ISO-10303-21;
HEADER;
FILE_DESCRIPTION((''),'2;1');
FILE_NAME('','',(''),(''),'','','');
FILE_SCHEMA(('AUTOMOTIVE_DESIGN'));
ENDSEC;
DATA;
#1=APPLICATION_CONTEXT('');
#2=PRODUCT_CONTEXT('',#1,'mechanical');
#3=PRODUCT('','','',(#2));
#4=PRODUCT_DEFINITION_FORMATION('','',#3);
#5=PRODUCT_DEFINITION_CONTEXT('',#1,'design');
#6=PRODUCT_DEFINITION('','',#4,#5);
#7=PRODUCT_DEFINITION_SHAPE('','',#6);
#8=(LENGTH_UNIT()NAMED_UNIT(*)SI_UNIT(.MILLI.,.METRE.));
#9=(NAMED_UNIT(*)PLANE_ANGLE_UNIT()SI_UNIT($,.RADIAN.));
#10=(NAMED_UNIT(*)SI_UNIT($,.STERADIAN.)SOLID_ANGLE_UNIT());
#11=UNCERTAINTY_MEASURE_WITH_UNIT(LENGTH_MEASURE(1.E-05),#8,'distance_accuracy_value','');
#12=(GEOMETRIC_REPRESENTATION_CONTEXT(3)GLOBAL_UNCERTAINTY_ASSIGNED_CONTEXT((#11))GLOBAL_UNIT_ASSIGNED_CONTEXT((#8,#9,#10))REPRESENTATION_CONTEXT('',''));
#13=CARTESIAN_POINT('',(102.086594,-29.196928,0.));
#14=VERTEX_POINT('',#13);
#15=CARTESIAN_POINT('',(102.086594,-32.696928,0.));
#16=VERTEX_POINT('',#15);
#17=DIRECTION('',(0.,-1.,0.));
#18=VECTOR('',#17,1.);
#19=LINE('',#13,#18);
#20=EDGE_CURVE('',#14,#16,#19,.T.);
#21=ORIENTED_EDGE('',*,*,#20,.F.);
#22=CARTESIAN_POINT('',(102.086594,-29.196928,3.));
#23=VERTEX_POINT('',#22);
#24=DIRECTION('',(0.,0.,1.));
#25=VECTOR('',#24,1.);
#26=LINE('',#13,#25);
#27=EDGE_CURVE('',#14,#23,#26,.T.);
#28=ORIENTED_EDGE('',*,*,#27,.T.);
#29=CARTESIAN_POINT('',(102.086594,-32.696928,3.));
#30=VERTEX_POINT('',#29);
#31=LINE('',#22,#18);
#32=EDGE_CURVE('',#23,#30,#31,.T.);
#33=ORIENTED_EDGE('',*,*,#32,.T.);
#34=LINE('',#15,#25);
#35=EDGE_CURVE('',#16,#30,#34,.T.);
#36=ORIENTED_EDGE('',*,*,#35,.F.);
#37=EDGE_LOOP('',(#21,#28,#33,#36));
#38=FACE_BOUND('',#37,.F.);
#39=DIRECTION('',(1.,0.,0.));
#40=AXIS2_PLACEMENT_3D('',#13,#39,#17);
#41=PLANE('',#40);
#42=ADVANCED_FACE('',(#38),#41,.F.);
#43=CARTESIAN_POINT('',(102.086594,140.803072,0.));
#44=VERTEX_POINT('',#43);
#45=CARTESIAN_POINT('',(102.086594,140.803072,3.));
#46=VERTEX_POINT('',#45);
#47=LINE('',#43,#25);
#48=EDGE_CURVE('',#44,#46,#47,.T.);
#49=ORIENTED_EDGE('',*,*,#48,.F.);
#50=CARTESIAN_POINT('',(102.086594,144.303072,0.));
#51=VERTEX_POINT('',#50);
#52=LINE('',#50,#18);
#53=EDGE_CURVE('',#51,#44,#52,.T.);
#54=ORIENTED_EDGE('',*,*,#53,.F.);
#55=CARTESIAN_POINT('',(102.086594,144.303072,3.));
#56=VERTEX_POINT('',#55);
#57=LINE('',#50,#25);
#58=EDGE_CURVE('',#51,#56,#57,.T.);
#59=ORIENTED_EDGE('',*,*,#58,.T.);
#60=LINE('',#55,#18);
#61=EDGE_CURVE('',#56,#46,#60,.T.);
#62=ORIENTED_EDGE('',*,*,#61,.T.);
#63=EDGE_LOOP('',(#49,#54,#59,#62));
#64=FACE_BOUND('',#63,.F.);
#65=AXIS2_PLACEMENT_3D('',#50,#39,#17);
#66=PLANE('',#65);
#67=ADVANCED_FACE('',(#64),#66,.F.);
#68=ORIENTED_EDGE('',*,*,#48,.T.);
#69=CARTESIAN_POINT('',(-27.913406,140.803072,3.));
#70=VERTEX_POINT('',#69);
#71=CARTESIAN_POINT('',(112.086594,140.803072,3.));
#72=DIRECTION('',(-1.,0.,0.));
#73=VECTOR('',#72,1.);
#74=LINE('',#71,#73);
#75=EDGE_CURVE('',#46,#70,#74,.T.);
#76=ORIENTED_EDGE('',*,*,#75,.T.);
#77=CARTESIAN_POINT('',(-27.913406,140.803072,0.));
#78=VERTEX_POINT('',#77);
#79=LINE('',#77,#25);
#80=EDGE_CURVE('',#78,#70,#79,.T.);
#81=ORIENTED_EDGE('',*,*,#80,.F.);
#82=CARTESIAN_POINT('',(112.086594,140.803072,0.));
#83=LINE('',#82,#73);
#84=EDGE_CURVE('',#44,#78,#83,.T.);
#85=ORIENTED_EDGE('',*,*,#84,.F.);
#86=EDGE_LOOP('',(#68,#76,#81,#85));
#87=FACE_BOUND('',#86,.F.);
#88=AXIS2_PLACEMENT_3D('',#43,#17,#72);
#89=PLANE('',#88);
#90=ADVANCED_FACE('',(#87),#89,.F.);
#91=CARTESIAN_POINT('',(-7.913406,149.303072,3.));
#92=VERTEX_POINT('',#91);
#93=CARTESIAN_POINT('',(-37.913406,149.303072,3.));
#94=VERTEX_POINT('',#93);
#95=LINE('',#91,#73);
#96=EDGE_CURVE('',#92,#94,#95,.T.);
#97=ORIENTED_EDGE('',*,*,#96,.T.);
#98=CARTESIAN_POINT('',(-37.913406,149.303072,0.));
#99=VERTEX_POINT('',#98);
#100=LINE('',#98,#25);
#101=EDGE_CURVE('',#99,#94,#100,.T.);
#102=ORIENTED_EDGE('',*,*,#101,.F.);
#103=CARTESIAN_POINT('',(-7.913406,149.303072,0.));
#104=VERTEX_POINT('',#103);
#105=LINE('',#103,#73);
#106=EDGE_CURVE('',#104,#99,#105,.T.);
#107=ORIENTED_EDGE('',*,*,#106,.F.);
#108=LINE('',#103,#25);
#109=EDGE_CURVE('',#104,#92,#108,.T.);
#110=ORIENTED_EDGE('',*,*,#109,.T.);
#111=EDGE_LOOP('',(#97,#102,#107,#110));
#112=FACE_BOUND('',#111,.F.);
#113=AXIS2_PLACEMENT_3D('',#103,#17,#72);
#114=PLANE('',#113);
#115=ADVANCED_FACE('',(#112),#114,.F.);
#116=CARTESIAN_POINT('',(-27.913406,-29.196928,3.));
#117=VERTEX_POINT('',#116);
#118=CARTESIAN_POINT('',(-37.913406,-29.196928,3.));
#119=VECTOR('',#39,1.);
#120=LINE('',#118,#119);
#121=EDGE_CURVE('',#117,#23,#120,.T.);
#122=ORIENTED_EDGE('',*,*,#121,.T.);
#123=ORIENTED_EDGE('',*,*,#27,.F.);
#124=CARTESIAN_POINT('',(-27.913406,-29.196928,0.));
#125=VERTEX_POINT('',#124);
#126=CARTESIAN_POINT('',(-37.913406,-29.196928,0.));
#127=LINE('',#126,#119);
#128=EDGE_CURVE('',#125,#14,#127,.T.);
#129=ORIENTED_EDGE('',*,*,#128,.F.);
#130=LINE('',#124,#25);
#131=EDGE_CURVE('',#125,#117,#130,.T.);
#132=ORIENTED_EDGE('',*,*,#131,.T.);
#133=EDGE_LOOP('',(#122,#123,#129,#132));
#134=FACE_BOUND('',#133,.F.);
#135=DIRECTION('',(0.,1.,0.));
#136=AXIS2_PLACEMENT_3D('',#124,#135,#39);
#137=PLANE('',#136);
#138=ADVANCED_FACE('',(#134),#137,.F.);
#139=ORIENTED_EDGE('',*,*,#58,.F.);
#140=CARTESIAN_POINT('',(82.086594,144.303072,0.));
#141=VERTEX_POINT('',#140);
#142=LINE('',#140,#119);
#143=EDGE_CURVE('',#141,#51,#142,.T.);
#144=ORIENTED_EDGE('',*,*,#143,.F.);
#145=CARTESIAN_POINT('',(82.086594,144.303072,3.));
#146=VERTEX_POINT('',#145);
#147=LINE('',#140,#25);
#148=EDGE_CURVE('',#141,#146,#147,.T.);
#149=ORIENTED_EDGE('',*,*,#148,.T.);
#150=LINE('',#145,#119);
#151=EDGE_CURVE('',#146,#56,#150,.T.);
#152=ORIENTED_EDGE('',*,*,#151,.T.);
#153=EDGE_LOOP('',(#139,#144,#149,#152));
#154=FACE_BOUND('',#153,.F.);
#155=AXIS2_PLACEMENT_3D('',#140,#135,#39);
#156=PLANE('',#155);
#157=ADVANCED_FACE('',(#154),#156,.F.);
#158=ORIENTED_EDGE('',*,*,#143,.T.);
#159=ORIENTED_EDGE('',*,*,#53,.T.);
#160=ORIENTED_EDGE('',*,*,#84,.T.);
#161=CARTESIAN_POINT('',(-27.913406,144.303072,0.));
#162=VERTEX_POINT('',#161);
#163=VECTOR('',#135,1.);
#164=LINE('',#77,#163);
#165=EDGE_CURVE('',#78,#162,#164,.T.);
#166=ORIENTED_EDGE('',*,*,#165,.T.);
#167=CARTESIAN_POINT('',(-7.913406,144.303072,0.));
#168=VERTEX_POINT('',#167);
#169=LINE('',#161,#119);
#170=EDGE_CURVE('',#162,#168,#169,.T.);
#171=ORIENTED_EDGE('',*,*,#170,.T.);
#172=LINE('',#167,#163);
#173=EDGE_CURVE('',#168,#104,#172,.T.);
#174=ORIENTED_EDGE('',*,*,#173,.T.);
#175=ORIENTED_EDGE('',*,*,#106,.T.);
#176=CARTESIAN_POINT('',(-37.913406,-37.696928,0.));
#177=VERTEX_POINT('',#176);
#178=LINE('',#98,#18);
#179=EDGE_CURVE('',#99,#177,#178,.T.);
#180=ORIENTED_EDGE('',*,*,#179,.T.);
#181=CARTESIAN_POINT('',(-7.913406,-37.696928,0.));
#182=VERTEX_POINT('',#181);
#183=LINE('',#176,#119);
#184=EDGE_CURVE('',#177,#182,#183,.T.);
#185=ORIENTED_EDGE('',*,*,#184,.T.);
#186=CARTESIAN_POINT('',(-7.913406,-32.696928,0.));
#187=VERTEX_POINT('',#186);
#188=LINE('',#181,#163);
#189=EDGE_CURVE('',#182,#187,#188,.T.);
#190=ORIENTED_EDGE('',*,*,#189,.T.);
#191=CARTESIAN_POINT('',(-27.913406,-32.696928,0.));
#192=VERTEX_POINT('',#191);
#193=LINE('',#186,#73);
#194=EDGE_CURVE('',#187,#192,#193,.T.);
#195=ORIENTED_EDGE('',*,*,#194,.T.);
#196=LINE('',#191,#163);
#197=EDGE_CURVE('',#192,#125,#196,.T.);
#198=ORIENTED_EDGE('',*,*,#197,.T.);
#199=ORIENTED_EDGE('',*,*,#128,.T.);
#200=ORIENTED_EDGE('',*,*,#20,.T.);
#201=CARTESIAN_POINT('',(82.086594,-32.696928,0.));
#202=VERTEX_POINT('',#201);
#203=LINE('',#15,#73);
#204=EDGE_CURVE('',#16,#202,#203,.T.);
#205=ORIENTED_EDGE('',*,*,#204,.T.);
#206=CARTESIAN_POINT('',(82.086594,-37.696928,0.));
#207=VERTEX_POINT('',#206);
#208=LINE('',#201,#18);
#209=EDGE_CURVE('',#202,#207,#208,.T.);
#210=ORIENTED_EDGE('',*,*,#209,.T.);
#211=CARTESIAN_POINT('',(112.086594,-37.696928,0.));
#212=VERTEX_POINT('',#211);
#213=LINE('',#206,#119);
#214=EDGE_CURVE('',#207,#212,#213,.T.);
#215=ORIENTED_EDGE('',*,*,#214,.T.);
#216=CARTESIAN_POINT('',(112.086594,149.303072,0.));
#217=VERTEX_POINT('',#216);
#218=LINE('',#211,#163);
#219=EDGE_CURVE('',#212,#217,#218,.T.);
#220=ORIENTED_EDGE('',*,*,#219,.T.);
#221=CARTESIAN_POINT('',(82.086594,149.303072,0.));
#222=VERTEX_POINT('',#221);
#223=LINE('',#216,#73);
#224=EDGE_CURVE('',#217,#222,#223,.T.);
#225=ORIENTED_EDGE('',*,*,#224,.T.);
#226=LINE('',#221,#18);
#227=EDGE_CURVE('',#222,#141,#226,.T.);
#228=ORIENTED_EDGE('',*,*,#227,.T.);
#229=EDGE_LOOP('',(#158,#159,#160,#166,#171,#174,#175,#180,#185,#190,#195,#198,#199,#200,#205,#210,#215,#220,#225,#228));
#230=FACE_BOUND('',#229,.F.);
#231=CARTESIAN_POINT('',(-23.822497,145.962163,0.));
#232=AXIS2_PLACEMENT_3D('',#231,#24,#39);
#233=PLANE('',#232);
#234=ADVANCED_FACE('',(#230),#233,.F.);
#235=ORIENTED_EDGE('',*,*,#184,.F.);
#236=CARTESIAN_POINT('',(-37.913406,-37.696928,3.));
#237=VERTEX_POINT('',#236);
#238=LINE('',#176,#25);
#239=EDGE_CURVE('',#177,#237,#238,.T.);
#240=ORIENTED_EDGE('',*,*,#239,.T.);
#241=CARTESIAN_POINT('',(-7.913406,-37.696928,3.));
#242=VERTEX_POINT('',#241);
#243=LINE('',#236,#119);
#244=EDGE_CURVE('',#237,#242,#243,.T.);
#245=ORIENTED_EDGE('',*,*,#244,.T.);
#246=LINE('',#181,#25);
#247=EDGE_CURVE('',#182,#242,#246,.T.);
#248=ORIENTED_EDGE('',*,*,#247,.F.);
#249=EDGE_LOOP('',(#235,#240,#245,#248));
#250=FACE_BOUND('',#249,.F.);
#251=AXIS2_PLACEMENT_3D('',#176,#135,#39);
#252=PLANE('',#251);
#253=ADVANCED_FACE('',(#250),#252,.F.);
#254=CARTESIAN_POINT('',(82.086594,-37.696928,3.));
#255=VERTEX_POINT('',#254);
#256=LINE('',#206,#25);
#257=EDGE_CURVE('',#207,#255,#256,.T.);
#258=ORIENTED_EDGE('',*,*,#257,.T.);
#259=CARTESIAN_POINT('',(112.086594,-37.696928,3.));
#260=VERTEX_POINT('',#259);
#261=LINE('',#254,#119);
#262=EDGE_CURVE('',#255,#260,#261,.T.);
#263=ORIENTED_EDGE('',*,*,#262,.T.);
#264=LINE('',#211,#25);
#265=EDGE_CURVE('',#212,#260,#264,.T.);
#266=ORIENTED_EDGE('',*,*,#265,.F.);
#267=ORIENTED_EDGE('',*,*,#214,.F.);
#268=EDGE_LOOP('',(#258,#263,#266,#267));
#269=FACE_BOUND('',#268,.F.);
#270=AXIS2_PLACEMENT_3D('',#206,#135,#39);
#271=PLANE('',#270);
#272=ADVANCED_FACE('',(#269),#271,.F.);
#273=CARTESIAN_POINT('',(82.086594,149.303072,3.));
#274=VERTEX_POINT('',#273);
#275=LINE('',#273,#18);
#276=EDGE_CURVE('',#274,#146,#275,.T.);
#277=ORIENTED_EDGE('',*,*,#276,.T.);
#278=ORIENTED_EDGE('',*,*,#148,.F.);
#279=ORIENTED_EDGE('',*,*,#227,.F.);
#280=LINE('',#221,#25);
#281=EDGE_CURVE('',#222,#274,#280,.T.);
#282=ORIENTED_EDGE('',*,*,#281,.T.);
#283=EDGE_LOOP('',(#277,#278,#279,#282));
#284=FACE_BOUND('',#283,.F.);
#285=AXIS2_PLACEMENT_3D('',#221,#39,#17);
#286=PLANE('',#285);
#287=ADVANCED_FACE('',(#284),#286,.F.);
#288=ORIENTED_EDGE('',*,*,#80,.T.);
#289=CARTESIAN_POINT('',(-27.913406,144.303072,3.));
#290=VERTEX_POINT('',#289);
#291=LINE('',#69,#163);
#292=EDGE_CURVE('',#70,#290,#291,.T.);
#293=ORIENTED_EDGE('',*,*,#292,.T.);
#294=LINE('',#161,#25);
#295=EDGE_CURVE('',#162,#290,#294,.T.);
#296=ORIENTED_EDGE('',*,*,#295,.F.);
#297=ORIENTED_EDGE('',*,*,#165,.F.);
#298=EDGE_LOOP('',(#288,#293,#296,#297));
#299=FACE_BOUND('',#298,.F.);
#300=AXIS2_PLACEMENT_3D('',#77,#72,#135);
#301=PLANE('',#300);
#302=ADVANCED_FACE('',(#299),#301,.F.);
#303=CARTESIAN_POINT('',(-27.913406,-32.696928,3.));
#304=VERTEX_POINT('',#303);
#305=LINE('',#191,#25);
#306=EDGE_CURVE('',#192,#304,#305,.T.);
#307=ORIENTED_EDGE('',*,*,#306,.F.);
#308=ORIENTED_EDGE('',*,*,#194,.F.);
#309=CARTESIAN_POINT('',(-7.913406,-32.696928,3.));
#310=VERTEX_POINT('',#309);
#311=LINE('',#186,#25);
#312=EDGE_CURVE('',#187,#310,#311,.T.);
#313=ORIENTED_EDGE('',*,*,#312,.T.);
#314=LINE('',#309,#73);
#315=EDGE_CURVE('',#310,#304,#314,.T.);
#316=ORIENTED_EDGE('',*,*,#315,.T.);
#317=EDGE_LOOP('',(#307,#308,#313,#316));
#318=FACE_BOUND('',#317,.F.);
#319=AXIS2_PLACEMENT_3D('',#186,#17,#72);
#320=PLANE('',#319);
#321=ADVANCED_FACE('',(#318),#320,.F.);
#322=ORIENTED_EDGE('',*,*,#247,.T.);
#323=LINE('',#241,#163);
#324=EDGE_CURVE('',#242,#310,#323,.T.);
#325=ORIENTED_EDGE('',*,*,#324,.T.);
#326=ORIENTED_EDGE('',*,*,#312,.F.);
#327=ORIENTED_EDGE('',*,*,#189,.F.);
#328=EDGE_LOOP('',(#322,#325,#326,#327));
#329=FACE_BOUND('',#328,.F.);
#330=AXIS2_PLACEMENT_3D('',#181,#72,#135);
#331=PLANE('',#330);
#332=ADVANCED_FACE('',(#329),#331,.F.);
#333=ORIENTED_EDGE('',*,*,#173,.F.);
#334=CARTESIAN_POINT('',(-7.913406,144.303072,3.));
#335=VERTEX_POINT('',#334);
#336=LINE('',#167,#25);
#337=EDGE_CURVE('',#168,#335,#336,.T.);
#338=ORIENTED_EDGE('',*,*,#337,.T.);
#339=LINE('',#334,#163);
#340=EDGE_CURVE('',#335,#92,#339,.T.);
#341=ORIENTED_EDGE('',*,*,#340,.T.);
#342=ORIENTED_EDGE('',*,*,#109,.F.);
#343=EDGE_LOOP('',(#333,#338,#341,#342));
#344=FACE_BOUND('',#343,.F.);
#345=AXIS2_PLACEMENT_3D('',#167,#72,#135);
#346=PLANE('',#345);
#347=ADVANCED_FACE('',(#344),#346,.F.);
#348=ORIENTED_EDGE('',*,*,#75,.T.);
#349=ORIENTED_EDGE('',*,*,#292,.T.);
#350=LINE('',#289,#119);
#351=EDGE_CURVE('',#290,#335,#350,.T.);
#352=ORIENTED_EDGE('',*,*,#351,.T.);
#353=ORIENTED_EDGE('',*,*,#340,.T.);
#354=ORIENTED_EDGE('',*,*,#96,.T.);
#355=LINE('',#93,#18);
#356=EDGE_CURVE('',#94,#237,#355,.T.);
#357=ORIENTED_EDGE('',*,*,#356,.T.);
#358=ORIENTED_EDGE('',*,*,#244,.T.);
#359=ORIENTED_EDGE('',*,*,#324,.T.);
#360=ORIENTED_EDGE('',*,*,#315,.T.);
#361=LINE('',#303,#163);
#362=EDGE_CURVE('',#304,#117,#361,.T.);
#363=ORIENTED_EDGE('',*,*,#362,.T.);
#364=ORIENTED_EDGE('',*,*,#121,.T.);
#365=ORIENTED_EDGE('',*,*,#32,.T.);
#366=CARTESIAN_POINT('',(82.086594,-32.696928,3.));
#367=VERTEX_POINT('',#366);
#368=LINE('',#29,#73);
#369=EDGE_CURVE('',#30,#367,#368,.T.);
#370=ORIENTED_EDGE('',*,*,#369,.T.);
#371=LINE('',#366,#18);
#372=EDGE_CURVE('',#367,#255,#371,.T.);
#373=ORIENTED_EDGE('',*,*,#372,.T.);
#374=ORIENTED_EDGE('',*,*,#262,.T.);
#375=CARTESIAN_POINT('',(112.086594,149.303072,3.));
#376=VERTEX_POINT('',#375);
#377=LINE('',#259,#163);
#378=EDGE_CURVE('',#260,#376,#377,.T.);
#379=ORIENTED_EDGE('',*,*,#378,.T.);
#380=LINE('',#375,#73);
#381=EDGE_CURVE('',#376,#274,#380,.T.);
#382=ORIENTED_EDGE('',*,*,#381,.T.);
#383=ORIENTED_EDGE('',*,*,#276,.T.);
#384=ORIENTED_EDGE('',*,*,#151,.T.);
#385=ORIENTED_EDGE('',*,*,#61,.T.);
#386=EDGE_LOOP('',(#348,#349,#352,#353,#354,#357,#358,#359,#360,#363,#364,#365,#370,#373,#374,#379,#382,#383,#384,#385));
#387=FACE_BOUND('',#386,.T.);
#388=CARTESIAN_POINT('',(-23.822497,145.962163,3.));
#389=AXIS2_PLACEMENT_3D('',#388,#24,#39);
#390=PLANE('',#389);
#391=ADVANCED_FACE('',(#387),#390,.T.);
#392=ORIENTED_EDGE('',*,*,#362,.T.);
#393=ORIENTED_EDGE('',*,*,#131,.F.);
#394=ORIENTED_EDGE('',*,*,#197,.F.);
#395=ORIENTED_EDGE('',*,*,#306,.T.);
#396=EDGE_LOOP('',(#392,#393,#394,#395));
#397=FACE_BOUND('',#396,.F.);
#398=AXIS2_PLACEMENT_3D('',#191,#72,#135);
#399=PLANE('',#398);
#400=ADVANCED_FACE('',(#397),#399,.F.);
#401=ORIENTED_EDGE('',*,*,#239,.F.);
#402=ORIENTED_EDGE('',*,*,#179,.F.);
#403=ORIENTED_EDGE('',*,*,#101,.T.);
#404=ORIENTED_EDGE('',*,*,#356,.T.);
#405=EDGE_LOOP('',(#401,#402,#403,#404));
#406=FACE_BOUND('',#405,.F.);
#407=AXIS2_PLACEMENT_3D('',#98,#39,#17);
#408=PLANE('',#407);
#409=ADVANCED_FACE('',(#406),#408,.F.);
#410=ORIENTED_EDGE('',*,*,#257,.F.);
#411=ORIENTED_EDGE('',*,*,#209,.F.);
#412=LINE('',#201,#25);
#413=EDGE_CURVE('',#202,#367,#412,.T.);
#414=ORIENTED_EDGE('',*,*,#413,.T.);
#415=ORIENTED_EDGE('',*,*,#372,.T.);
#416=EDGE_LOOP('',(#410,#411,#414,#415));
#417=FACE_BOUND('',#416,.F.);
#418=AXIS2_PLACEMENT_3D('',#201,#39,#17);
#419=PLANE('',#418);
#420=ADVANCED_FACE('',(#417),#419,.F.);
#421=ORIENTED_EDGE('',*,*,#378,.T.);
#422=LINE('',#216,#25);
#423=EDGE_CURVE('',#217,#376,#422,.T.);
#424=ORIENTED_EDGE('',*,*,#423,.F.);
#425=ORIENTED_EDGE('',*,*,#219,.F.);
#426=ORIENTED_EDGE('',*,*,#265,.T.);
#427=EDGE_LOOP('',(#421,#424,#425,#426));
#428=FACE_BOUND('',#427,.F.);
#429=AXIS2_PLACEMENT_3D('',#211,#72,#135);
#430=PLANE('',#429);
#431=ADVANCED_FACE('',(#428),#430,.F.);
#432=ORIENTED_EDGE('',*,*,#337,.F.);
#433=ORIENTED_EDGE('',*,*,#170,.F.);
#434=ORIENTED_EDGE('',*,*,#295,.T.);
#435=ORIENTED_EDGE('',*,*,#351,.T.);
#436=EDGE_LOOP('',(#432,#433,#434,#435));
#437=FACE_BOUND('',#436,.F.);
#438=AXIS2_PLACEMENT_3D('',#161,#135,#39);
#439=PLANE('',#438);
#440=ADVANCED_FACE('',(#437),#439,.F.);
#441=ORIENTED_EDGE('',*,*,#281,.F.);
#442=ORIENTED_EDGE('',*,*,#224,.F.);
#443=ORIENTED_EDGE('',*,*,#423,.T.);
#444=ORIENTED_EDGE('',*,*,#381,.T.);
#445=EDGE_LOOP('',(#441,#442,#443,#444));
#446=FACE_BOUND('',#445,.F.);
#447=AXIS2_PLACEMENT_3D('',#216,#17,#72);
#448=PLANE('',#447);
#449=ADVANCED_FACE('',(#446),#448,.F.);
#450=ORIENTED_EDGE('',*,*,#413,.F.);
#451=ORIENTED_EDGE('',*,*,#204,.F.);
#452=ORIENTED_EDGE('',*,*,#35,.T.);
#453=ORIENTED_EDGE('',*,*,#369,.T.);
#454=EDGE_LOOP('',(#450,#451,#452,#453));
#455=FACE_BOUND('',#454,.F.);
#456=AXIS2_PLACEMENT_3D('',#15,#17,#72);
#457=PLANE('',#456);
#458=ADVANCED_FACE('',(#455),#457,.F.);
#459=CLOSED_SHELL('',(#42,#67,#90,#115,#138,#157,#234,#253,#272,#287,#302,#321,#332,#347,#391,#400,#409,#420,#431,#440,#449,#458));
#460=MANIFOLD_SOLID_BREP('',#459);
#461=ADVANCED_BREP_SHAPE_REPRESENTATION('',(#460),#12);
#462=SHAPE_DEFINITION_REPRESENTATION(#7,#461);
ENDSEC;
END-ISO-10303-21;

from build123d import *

# Parameters (mm, degrees)
F1_DEPTH = 3


with BuildPart() as f1:
    # F0 (on Top) → F1 (new body)
    with BuildSketch(Plane.XY):
        Polygon((-37.913406, 149.303072), (-37.913406, 140.803072), (-27.913406, 140.803072), (-27.913406, 144.303072), (-7.913406, 144.303072), (-7.913406, 149.303072), align=None)
        Polygon((-27.913406, 140.803072), (-37.913406, 140.803072), (-37.913406, -29.196928), (-27.913406, -29.196928), (-10.80574, -29.196928), (30.025003, -29.196928), (35.025003, -29.196928), (102.086594, -29.196928), (112.086594, -29.196928), (112.086594, 15.985355), (112.086594, 140.803072), (102.086594, 140.803072), align=None)
        Polygon((-27.913406, -29.196928), (-37.913406, -29.196928), (-37.913406, -37.696928), (-7.913406, -37.696928), (-7.913406, -32.696928), (-27.913406, -32.696928), align=None)
        Polygon((102.086594, 144.303072), (102.086594, 140.803072), (112.086594, 140.803072), (112.086594, 149.303072), (82.086594, 149.303072), (82.086594, 144.303072), align=None)
        Polygon((112.086594, -37.696928), (112.086594, -29.196928), (102.086594, -29.196928), (102.086594, -32.696928), (82.086594, -32.696928), (82.086594, -37.696928), align=None)
    extrude(amount=F1_DEPTH)


solid = f1.part
